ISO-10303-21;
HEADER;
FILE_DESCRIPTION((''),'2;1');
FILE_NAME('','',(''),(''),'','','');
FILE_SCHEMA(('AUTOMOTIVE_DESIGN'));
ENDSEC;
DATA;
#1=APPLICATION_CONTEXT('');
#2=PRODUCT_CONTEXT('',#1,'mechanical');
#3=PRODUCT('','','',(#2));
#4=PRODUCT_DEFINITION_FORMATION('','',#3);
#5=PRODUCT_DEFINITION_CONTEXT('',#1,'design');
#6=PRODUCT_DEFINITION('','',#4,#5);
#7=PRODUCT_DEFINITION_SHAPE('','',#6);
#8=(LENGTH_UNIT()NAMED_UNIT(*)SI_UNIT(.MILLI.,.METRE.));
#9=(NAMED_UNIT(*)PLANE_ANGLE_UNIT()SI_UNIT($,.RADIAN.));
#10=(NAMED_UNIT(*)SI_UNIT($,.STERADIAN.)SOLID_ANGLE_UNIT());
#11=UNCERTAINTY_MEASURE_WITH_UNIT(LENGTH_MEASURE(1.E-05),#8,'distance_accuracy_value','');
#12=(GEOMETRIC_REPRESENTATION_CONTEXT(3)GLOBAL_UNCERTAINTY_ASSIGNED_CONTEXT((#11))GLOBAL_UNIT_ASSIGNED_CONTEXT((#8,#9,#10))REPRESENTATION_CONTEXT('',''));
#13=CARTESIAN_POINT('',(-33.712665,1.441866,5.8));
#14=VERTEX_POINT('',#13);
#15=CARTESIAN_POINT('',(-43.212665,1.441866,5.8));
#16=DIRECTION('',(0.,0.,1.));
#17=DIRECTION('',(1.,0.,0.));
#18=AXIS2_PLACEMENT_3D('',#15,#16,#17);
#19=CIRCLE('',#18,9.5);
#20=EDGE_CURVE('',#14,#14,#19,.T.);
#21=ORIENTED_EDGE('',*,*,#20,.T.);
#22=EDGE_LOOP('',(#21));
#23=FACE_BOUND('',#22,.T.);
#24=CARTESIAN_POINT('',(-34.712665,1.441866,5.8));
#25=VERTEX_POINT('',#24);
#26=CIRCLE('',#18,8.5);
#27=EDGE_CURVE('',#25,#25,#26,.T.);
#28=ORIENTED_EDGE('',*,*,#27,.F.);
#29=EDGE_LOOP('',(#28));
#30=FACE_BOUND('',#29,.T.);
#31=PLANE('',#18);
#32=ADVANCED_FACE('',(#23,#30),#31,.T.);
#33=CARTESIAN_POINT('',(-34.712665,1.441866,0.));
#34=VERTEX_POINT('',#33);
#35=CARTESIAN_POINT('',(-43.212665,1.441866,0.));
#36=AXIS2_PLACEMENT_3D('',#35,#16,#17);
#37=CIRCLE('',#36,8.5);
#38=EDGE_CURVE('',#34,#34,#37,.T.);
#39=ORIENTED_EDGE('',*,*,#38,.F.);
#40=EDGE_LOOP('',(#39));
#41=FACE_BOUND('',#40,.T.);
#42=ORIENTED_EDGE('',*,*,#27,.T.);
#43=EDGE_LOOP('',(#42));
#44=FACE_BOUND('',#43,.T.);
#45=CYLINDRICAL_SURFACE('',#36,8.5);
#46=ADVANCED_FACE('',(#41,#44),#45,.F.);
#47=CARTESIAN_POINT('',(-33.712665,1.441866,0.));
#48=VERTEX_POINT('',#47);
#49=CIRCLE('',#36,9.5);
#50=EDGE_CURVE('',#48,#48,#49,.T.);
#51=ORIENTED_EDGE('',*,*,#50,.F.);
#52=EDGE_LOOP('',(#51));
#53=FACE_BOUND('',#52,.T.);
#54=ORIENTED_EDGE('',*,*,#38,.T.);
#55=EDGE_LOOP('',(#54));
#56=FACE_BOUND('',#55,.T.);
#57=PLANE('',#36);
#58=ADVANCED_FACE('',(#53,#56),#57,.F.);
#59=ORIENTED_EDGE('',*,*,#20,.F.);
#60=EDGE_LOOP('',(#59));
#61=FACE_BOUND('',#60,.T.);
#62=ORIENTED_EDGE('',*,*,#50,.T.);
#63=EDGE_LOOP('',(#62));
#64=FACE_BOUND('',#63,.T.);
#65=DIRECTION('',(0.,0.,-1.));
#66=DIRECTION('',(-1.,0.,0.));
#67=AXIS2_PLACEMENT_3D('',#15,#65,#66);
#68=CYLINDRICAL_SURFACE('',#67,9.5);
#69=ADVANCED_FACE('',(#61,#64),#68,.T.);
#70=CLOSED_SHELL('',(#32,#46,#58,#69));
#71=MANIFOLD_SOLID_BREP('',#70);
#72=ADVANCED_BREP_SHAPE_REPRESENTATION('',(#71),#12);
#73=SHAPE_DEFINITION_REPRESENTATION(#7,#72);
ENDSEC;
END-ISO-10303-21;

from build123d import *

# Parameters (mm, degrees)
SKETCH1_R           = 9.5
BOSS_EXTRUDE1_DEPTH = 5.8
SKETCH2_R           = 8.5
CUT_EXTRUDE1_DEPTH  = 5.8


with BuildPart() as part:
    # Sketch1 → Boss-Extrude1 (new body)
    with BuildSketch(Plane.XY):
        with Locations((-43.212664647, 1.441865661)):
            Circle(SKETCH1_R)
    extrude(amount=BOSS_EXTRUDE1_DEPTH)

    # Sketch2 → Cut-Extrude1 (cut)
    with BuildSketch(Plane.XY.offset(5.8)):
        with Locations((-43.212664647, 1.441865661)):
            Circle(SKETCH2_R)
    extrude(amount=-CUT_EXTRUDE1_DEPTH, mode=Mode.SUBTRACT)


solid = part.part
